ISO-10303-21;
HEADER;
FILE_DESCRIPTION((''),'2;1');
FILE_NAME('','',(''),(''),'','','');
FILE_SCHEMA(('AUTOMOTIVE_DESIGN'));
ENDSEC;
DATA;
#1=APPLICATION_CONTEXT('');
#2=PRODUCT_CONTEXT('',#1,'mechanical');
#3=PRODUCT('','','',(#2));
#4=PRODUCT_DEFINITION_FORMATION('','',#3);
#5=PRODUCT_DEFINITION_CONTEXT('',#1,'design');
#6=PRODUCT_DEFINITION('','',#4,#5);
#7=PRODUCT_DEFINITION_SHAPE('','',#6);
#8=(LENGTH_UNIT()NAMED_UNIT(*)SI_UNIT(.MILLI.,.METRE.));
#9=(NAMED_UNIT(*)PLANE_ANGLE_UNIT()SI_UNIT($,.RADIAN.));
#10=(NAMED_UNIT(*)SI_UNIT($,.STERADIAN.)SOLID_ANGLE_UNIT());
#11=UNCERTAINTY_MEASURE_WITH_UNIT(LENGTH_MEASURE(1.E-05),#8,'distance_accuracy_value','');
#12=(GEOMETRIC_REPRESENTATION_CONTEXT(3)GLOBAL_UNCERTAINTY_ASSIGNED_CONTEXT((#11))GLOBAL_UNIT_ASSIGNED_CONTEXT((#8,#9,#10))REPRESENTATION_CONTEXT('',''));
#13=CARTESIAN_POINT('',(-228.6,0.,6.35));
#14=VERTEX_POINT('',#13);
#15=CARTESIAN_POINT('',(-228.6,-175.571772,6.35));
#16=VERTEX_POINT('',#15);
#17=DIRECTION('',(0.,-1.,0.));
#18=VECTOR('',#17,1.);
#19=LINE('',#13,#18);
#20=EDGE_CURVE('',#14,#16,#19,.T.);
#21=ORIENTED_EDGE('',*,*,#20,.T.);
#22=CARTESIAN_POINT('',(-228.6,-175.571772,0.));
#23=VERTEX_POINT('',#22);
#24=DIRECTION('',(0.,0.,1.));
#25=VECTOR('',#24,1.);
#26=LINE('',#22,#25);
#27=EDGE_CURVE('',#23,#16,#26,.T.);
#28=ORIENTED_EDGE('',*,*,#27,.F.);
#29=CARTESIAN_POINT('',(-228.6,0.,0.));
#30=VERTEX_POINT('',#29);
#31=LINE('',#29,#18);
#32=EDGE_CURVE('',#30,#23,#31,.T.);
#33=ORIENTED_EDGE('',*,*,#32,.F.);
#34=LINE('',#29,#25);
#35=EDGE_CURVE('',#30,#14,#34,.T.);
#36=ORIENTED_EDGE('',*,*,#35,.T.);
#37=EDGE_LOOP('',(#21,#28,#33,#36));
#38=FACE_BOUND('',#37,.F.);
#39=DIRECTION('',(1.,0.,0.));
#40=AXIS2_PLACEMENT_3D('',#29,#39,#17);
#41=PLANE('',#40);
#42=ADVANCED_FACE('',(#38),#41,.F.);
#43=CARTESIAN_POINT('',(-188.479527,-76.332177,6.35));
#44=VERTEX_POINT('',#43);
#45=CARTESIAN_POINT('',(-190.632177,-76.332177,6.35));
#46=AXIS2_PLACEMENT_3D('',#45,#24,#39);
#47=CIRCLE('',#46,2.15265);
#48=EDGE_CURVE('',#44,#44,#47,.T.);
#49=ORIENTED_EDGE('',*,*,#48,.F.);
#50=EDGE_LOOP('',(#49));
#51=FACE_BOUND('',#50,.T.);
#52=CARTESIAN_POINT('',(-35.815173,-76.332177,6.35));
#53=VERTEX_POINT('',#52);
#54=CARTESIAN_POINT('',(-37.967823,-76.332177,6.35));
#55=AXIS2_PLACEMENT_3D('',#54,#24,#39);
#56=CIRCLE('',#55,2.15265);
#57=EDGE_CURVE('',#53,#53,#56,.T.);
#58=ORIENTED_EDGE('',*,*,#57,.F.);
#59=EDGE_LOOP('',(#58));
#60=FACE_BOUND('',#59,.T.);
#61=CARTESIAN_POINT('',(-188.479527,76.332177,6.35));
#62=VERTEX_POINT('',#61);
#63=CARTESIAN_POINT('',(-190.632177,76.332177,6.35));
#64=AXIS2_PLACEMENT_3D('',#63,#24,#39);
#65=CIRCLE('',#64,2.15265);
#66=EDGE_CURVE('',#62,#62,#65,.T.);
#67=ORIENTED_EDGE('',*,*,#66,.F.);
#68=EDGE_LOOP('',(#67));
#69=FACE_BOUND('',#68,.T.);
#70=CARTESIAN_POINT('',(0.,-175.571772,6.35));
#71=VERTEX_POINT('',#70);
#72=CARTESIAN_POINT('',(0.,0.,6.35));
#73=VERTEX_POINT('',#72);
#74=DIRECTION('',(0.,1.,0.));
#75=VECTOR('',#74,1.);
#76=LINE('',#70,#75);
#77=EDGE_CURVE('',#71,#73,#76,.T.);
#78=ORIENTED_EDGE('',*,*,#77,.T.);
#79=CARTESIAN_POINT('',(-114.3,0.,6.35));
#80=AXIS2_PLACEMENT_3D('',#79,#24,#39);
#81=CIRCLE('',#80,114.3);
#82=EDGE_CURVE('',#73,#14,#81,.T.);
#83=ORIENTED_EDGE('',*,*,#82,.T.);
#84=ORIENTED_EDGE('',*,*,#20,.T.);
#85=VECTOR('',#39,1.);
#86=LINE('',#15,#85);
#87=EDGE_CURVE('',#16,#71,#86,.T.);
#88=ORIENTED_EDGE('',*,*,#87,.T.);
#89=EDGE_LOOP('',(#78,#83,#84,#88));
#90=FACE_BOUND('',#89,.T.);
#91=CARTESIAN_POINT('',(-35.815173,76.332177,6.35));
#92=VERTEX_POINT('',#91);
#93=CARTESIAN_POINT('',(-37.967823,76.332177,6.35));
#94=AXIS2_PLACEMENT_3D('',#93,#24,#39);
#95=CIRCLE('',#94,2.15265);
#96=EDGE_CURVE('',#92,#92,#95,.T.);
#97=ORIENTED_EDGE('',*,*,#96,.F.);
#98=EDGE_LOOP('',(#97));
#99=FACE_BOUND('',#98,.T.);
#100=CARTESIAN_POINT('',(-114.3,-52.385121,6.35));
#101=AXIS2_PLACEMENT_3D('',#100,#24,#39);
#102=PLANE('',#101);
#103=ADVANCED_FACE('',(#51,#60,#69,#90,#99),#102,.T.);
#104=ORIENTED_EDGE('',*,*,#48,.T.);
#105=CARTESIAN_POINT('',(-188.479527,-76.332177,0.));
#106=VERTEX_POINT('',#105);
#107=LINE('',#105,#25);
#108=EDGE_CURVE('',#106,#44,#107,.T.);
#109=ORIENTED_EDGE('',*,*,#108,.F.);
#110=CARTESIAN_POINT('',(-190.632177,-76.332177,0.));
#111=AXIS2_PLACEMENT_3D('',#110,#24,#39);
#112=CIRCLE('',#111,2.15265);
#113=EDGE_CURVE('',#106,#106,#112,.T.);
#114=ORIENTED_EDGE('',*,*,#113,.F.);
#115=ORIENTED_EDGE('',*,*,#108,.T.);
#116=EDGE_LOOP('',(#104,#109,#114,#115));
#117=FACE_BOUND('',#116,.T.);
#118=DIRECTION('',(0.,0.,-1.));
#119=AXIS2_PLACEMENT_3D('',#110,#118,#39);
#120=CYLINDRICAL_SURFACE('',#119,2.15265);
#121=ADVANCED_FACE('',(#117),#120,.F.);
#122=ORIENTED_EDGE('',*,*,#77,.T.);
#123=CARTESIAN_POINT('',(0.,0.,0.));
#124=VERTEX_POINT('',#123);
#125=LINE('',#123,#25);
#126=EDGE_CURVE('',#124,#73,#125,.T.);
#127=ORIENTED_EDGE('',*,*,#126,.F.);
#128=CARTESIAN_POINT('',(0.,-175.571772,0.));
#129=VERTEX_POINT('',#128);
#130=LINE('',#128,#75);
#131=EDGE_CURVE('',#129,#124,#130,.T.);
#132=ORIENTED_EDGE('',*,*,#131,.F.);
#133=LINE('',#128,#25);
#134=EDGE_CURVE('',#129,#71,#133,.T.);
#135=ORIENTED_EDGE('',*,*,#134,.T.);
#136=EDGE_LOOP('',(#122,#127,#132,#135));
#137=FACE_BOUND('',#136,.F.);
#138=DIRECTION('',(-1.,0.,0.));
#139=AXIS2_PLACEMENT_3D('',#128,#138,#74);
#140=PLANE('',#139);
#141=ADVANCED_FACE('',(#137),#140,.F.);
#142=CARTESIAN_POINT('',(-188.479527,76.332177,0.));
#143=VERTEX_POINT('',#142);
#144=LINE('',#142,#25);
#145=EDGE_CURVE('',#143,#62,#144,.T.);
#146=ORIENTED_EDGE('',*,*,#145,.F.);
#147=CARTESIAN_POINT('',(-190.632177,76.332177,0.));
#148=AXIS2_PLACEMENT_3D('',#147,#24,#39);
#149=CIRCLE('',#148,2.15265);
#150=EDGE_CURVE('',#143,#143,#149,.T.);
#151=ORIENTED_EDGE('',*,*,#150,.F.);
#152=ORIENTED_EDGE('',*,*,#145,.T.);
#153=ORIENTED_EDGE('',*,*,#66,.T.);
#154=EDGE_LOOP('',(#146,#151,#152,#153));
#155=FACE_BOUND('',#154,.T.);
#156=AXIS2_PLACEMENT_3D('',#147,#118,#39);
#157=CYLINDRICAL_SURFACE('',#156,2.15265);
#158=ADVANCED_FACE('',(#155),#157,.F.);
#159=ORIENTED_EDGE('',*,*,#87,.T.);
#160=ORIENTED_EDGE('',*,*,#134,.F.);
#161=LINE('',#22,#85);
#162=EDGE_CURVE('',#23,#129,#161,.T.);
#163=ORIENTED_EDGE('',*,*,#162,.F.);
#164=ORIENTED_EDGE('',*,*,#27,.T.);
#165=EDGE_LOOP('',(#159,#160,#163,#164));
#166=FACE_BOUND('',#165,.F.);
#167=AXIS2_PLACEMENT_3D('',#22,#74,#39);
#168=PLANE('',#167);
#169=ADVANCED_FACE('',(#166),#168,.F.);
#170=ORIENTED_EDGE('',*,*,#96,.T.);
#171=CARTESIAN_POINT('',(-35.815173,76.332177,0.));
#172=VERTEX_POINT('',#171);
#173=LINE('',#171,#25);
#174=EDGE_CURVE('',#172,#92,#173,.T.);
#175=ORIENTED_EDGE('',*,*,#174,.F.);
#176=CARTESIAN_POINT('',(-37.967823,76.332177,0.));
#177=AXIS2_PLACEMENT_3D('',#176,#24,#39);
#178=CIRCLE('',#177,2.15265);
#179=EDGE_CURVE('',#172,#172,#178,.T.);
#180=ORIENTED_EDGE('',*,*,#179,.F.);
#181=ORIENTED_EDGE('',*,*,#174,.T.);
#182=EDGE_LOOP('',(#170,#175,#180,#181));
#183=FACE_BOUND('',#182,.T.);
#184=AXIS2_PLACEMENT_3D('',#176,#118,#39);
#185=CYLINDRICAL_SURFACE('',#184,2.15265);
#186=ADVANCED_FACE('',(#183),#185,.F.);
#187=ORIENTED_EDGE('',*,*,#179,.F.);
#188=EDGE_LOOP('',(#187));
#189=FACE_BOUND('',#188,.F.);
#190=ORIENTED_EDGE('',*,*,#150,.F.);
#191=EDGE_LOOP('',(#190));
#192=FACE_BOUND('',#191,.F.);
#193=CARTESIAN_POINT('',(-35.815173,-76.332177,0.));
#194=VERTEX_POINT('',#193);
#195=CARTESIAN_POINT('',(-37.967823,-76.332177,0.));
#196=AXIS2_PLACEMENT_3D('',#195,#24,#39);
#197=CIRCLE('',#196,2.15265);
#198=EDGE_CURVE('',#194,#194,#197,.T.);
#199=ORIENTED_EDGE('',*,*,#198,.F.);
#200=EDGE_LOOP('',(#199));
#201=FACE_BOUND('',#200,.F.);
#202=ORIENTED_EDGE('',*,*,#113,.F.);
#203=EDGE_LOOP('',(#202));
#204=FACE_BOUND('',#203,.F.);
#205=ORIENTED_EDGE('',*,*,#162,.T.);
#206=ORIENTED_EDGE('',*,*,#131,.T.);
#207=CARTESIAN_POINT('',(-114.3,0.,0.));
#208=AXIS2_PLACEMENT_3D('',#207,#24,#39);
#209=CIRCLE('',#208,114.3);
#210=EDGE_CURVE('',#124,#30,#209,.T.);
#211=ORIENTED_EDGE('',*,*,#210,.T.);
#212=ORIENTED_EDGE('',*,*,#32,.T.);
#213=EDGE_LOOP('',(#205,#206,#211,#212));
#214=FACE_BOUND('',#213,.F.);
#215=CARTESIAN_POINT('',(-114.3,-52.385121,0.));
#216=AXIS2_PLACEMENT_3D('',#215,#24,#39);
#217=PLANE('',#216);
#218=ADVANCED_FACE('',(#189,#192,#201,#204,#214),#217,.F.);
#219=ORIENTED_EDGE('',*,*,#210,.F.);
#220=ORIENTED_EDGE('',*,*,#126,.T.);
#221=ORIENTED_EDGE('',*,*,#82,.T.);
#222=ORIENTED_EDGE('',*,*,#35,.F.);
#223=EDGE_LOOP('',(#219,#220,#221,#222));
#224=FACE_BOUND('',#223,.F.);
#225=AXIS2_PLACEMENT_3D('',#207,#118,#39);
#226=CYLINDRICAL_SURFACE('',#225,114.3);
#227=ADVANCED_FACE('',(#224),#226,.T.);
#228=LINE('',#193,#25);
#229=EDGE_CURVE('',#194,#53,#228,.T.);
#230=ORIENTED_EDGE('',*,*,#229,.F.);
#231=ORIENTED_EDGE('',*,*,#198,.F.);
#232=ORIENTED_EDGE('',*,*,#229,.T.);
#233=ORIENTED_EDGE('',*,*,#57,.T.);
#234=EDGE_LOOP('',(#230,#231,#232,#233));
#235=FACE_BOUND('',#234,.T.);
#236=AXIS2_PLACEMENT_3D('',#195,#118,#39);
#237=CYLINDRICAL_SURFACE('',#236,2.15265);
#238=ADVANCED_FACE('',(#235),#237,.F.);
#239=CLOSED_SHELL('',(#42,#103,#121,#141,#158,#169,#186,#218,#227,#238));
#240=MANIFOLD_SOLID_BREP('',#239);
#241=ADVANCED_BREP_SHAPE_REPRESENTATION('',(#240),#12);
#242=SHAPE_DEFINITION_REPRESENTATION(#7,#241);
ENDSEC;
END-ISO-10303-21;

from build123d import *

# Parameters (mm, degrees)
F0_R     = 2.15265
F1_DEPTH = 6.35


with BuildPart() as f1:
    # F0 (on Top) → F1 (new body)
    with BuildSketch(Plane.XY):
        with BuildLine():
            Line((-228.6, -175.571772), (0, -175.571772))
            Line((0, -175.571772), (0, 0))
            ThreePointArc((0, 0), (-114.3, 114.3), (-228.6, 0))
            Line((-228.6, 0), (-228.6, -175.571772))
        make_face()
        with Locations((-190.632177, -76.332177)):
            Circle(F0_R, mode=Mode.SUBTRACT)
        with Locations((-37.967823, -76.332177)):
            Circle(F0_R, mode=Mode.SUBTRACT)
        with Locations((-190.632177, 76.332177)):
            Circle(F0_R, mode=Mode.SUBTRACT)
        with Locations((-37.967823, 76.332177)):
            Circle(F0_R, mode=Mode.SUBTRACT)
    extrude(amount=F1_DEPTH)


solid = f1.part
